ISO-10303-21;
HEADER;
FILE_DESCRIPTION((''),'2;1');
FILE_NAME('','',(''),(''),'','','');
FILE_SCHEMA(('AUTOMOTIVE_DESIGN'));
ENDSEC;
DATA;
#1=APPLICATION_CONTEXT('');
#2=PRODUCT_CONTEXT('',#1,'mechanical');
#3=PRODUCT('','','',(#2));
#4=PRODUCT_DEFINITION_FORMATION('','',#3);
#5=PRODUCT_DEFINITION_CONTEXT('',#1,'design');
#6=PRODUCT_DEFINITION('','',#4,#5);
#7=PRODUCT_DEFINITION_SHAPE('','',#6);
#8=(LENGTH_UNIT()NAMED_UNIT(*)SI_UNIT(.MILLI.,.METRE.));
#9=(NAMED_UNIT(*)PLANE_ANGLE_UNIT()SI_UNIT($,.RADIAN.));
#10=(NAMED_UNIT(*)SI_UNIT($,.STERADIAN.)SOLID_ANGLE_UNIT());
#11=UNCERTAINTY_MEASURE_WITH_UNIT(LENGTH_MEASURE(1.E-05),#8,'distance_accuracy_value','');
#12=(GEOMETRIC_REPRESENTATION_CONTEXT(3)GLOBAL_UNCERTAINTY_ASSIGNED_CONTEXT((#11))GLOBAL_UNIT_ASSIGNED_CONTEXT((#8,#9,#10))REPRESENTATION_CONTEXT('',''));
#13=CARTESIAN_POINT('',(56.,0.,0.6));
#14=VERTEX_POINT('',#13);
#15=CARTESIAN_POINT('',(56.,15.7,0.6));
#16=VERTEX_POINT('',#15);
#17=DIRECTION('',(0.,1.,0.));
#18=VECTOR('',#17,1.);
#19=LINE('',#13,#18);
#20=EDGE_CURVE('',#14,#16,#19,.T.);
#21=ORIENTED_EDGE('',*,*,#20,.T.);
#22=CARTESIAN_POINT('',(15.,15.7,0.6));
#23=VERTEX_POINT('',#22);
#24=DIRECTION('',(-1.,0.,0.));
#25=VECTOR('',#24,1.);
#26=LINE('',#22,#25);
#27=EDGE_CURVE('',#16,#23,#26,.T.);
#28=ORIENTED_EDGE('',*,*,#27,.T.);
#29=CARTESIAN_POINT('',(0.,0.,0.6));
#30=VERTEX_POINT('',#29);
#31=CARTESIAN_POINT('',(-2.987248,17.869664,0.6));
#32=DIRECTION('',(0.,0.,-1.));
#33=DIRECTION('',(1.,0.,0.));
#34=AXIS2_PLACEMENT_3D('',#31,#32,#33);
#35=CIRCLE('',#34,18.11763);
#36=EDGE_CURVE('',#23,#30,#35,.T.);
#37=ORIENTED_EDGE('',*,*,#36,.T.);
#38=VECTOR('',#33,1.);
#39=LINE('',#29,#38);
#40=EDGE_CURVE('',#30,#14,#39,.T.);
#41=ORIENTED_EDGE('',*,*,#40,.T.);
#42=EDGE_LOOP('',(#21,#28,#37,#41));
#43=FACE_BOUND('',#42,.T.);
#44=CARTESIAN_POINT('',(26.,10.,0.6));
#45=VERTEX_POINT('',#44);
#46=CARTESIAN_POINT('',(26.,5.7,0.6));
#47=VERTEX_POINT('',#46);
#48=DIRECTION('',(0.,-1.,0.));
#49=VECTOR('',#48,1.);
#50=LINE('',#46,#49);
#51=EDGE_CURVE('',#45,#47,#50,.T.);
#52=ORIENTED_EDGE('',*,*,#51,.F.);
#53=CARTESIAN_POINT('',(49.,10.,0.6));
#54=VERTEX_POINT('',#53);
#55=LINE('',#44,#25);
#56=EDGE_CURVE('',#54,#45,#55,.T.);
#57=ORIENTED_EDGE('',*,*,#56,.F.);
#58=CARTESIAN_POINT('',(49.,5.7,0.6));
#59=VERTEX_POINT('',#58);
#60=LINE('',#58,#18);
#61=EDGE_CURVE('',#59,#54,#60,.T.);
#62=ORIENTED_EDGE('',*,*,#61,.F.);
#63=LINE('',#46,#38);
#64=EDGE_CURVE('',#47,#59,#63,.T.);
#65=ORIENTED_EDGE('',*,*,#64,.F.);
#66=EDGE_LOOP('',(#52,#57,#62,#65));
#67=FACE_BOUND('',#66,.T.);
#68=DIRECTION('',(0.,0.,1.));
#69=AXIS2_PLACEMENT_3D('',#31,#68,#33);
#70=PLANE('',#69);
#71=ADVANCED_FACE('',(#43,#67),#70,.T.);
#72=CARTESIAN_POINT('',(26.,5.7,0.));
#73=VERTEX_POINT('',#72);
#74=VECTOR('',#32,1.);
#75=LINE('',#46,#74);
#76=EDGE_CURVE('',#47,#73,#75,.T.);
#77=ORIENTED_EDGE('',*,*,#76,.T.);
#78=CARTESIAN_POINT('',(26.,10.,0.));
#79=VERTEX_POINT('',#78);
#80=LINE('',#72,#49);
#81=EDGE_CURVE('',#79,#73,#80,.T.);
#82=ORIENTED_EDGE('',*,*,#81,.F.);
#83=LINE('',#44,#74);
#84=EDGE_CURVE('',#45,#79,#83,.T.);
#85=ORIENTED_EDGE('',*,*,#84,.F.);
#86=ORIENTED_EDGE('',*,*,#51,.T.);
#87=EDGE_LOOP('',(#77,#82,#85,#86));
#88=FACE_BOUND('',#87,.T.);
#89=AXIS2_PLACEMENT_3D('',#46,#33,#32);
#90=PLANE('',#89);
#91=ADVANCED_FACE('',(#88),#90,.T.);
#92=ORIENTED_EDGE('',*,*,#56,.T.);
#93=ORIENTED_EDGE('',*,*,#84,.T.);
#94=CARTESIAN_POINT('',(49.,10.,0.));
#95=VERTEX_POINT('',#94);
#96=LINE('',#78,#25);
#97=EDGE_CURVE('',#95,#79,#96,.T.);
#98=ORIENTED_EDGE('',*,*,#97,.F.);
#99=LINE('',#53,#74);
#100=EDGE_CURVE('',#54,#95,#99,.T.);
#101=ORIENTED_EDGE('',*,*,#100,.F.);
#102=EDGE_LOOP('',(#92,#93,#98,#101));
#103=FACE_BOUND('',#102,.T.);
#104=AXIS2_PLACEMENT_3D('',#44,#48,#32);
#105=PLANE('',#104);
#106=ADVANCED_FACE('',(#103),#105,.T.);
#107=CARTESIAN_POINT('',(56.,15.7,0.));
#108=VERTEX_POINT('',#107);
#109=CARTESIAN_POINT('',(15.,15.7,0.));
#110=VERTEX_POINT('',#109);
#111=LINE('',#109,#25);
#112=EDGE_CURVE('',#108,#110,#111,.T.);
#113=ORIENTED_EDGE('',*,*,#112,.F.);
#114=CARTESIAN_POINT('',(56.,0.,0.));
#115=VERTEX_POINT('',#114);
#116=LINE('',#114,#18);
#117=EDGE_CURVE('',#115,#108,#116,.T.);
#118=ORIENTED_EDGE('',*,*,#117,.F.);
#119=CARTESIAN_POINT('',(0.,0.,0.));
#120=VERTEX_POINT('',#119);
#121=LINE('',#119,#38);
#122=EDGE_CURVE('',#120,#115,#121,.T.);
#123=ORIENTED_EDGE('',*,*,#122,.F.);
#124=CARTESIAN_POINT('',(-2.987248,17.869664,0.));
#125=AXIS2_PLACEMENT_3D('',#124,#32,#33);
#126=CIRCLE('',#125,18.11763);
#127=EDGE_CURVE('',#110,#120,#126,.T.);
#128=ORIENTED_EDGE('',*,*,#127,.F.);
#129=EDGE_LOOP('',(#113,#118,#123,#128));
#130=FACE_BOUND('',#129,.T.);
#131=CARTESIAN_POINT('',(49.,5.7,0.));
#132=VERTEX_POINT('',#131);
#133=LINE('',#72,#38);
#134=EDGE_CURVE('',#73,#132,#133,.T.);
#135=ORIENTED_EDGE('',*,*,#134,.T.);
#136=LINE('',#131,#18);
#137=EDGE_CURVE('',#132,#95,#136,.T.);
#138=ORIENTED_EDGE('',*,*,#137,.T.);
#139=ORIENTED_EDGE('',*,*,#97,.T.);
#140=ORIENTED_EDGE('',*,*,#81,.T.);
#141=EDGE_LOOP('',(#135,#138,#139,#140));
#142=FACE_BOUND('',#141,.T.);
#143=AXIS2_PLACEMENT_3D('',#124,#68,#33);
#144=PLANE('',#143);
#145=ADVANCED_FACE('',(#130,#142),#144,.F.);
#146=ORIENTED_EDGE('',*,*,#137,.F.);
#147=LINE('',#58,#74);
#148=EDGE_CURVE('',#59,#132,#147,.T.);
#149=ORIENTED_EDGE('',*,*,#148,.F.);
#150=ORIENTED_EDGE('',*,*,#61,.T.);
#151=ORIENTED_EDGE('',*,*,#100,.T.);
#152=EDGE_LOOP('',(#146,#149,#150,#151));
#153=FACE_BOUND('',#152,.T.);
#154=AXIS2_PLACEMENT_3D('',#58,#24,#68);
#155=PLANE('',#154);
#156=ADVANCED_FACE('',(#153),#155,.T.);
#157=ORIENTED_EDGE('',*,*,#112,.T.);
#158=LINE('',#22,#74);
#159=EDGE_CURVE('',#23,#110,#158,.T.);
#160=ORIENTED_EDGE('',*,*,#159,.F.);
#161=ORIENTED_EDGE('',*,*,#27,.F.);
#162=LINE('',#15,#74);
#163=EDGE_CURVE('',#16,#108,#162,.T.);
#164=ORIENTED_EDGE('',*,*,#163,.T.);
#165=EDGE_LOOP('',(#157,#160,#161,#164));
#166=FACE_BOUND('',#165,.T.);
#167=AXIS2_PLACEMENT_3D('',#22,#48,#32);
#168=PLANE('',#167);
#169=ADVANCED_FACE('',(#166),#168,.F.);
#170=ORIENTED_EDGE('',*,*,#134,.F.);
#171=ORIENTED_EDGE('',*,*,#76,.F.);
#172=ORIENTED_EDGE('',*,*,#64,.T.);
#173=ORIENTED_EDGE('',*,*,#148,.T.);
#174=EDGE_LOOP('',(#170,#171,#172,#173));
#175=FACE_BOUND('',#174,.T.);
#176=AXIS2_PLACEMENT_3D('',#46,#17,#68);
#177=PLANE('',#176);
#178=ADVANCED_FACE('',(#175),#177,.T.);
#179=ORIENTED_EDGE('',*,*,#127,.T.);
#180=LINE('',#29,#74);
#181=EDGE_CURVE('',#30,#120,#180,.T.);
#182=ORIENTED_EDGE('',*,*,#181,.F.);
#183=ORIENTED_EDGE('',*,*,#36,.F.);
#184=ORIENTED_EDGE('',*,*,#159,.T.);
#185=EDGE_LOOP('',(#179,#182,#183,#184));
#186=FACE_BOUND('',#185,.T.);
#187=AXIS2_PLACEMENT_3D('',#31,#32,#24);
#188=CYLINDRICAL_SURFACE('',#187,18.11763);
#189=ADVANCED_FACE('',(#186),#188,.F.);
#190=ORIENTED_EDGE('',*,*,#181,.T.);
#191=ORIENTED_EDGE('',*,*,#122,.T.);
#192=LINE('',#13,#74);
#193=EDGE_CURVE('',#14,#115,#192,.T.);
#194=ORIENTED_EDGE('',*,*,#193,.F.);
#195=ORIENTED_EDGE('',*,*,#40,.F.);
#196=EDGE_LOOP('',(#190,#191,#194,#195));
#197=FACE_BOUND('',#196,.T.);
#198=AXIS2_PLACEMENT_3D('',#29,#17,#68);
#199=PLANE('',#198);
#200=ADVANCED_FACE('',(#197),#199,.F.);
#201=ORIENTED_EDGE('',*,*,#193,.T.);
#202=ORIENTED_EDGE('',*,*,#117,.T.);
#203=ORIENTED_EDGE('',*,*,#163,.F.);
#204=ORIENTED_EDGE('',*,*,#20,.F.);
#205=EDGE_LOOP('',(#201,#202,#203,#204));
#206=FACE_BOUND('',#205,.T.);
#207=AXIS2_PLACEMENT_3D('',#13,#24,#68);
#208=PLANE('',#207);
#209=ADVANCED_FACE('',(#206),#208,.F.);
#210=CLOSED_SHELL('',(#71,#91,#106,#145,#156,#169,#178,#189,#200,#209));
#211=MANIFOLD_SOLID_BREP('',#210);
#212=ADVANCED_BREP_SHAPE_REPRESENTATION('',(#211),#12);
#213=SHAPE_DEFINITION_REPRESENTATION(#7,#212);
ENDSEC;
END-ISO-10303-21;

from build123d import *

# Parameters (mm, degrees)
SKETCH_1_W      = 23
SKETCH_1_H      = 4.3
EXTRUDE_1_DEPTH = 0.6


with BuildPart() as part:
    # Эскиз1 → Бобышка-Вытянуть1 (new body)
    with BuildSketch(Plane.XY):
        with BuildLine():
            Line((0, 0), (56, 0))
            Line((56, 0), (56, 15.7))
            Line((56, 15.7), (15, 15.7))
            ThreePointArc((15, 15.7), (10.112556238, 5.353927161), (0, 0))
        make_face()
        with Locations((37.5, 7.85)):
            Rectangle(SKETCH_1_W, SKETCH_1_H, mode=Mode.SUBTRACT)
    extrude(amount=EXTRUDE_1_DEPTH)


solid = part.part
